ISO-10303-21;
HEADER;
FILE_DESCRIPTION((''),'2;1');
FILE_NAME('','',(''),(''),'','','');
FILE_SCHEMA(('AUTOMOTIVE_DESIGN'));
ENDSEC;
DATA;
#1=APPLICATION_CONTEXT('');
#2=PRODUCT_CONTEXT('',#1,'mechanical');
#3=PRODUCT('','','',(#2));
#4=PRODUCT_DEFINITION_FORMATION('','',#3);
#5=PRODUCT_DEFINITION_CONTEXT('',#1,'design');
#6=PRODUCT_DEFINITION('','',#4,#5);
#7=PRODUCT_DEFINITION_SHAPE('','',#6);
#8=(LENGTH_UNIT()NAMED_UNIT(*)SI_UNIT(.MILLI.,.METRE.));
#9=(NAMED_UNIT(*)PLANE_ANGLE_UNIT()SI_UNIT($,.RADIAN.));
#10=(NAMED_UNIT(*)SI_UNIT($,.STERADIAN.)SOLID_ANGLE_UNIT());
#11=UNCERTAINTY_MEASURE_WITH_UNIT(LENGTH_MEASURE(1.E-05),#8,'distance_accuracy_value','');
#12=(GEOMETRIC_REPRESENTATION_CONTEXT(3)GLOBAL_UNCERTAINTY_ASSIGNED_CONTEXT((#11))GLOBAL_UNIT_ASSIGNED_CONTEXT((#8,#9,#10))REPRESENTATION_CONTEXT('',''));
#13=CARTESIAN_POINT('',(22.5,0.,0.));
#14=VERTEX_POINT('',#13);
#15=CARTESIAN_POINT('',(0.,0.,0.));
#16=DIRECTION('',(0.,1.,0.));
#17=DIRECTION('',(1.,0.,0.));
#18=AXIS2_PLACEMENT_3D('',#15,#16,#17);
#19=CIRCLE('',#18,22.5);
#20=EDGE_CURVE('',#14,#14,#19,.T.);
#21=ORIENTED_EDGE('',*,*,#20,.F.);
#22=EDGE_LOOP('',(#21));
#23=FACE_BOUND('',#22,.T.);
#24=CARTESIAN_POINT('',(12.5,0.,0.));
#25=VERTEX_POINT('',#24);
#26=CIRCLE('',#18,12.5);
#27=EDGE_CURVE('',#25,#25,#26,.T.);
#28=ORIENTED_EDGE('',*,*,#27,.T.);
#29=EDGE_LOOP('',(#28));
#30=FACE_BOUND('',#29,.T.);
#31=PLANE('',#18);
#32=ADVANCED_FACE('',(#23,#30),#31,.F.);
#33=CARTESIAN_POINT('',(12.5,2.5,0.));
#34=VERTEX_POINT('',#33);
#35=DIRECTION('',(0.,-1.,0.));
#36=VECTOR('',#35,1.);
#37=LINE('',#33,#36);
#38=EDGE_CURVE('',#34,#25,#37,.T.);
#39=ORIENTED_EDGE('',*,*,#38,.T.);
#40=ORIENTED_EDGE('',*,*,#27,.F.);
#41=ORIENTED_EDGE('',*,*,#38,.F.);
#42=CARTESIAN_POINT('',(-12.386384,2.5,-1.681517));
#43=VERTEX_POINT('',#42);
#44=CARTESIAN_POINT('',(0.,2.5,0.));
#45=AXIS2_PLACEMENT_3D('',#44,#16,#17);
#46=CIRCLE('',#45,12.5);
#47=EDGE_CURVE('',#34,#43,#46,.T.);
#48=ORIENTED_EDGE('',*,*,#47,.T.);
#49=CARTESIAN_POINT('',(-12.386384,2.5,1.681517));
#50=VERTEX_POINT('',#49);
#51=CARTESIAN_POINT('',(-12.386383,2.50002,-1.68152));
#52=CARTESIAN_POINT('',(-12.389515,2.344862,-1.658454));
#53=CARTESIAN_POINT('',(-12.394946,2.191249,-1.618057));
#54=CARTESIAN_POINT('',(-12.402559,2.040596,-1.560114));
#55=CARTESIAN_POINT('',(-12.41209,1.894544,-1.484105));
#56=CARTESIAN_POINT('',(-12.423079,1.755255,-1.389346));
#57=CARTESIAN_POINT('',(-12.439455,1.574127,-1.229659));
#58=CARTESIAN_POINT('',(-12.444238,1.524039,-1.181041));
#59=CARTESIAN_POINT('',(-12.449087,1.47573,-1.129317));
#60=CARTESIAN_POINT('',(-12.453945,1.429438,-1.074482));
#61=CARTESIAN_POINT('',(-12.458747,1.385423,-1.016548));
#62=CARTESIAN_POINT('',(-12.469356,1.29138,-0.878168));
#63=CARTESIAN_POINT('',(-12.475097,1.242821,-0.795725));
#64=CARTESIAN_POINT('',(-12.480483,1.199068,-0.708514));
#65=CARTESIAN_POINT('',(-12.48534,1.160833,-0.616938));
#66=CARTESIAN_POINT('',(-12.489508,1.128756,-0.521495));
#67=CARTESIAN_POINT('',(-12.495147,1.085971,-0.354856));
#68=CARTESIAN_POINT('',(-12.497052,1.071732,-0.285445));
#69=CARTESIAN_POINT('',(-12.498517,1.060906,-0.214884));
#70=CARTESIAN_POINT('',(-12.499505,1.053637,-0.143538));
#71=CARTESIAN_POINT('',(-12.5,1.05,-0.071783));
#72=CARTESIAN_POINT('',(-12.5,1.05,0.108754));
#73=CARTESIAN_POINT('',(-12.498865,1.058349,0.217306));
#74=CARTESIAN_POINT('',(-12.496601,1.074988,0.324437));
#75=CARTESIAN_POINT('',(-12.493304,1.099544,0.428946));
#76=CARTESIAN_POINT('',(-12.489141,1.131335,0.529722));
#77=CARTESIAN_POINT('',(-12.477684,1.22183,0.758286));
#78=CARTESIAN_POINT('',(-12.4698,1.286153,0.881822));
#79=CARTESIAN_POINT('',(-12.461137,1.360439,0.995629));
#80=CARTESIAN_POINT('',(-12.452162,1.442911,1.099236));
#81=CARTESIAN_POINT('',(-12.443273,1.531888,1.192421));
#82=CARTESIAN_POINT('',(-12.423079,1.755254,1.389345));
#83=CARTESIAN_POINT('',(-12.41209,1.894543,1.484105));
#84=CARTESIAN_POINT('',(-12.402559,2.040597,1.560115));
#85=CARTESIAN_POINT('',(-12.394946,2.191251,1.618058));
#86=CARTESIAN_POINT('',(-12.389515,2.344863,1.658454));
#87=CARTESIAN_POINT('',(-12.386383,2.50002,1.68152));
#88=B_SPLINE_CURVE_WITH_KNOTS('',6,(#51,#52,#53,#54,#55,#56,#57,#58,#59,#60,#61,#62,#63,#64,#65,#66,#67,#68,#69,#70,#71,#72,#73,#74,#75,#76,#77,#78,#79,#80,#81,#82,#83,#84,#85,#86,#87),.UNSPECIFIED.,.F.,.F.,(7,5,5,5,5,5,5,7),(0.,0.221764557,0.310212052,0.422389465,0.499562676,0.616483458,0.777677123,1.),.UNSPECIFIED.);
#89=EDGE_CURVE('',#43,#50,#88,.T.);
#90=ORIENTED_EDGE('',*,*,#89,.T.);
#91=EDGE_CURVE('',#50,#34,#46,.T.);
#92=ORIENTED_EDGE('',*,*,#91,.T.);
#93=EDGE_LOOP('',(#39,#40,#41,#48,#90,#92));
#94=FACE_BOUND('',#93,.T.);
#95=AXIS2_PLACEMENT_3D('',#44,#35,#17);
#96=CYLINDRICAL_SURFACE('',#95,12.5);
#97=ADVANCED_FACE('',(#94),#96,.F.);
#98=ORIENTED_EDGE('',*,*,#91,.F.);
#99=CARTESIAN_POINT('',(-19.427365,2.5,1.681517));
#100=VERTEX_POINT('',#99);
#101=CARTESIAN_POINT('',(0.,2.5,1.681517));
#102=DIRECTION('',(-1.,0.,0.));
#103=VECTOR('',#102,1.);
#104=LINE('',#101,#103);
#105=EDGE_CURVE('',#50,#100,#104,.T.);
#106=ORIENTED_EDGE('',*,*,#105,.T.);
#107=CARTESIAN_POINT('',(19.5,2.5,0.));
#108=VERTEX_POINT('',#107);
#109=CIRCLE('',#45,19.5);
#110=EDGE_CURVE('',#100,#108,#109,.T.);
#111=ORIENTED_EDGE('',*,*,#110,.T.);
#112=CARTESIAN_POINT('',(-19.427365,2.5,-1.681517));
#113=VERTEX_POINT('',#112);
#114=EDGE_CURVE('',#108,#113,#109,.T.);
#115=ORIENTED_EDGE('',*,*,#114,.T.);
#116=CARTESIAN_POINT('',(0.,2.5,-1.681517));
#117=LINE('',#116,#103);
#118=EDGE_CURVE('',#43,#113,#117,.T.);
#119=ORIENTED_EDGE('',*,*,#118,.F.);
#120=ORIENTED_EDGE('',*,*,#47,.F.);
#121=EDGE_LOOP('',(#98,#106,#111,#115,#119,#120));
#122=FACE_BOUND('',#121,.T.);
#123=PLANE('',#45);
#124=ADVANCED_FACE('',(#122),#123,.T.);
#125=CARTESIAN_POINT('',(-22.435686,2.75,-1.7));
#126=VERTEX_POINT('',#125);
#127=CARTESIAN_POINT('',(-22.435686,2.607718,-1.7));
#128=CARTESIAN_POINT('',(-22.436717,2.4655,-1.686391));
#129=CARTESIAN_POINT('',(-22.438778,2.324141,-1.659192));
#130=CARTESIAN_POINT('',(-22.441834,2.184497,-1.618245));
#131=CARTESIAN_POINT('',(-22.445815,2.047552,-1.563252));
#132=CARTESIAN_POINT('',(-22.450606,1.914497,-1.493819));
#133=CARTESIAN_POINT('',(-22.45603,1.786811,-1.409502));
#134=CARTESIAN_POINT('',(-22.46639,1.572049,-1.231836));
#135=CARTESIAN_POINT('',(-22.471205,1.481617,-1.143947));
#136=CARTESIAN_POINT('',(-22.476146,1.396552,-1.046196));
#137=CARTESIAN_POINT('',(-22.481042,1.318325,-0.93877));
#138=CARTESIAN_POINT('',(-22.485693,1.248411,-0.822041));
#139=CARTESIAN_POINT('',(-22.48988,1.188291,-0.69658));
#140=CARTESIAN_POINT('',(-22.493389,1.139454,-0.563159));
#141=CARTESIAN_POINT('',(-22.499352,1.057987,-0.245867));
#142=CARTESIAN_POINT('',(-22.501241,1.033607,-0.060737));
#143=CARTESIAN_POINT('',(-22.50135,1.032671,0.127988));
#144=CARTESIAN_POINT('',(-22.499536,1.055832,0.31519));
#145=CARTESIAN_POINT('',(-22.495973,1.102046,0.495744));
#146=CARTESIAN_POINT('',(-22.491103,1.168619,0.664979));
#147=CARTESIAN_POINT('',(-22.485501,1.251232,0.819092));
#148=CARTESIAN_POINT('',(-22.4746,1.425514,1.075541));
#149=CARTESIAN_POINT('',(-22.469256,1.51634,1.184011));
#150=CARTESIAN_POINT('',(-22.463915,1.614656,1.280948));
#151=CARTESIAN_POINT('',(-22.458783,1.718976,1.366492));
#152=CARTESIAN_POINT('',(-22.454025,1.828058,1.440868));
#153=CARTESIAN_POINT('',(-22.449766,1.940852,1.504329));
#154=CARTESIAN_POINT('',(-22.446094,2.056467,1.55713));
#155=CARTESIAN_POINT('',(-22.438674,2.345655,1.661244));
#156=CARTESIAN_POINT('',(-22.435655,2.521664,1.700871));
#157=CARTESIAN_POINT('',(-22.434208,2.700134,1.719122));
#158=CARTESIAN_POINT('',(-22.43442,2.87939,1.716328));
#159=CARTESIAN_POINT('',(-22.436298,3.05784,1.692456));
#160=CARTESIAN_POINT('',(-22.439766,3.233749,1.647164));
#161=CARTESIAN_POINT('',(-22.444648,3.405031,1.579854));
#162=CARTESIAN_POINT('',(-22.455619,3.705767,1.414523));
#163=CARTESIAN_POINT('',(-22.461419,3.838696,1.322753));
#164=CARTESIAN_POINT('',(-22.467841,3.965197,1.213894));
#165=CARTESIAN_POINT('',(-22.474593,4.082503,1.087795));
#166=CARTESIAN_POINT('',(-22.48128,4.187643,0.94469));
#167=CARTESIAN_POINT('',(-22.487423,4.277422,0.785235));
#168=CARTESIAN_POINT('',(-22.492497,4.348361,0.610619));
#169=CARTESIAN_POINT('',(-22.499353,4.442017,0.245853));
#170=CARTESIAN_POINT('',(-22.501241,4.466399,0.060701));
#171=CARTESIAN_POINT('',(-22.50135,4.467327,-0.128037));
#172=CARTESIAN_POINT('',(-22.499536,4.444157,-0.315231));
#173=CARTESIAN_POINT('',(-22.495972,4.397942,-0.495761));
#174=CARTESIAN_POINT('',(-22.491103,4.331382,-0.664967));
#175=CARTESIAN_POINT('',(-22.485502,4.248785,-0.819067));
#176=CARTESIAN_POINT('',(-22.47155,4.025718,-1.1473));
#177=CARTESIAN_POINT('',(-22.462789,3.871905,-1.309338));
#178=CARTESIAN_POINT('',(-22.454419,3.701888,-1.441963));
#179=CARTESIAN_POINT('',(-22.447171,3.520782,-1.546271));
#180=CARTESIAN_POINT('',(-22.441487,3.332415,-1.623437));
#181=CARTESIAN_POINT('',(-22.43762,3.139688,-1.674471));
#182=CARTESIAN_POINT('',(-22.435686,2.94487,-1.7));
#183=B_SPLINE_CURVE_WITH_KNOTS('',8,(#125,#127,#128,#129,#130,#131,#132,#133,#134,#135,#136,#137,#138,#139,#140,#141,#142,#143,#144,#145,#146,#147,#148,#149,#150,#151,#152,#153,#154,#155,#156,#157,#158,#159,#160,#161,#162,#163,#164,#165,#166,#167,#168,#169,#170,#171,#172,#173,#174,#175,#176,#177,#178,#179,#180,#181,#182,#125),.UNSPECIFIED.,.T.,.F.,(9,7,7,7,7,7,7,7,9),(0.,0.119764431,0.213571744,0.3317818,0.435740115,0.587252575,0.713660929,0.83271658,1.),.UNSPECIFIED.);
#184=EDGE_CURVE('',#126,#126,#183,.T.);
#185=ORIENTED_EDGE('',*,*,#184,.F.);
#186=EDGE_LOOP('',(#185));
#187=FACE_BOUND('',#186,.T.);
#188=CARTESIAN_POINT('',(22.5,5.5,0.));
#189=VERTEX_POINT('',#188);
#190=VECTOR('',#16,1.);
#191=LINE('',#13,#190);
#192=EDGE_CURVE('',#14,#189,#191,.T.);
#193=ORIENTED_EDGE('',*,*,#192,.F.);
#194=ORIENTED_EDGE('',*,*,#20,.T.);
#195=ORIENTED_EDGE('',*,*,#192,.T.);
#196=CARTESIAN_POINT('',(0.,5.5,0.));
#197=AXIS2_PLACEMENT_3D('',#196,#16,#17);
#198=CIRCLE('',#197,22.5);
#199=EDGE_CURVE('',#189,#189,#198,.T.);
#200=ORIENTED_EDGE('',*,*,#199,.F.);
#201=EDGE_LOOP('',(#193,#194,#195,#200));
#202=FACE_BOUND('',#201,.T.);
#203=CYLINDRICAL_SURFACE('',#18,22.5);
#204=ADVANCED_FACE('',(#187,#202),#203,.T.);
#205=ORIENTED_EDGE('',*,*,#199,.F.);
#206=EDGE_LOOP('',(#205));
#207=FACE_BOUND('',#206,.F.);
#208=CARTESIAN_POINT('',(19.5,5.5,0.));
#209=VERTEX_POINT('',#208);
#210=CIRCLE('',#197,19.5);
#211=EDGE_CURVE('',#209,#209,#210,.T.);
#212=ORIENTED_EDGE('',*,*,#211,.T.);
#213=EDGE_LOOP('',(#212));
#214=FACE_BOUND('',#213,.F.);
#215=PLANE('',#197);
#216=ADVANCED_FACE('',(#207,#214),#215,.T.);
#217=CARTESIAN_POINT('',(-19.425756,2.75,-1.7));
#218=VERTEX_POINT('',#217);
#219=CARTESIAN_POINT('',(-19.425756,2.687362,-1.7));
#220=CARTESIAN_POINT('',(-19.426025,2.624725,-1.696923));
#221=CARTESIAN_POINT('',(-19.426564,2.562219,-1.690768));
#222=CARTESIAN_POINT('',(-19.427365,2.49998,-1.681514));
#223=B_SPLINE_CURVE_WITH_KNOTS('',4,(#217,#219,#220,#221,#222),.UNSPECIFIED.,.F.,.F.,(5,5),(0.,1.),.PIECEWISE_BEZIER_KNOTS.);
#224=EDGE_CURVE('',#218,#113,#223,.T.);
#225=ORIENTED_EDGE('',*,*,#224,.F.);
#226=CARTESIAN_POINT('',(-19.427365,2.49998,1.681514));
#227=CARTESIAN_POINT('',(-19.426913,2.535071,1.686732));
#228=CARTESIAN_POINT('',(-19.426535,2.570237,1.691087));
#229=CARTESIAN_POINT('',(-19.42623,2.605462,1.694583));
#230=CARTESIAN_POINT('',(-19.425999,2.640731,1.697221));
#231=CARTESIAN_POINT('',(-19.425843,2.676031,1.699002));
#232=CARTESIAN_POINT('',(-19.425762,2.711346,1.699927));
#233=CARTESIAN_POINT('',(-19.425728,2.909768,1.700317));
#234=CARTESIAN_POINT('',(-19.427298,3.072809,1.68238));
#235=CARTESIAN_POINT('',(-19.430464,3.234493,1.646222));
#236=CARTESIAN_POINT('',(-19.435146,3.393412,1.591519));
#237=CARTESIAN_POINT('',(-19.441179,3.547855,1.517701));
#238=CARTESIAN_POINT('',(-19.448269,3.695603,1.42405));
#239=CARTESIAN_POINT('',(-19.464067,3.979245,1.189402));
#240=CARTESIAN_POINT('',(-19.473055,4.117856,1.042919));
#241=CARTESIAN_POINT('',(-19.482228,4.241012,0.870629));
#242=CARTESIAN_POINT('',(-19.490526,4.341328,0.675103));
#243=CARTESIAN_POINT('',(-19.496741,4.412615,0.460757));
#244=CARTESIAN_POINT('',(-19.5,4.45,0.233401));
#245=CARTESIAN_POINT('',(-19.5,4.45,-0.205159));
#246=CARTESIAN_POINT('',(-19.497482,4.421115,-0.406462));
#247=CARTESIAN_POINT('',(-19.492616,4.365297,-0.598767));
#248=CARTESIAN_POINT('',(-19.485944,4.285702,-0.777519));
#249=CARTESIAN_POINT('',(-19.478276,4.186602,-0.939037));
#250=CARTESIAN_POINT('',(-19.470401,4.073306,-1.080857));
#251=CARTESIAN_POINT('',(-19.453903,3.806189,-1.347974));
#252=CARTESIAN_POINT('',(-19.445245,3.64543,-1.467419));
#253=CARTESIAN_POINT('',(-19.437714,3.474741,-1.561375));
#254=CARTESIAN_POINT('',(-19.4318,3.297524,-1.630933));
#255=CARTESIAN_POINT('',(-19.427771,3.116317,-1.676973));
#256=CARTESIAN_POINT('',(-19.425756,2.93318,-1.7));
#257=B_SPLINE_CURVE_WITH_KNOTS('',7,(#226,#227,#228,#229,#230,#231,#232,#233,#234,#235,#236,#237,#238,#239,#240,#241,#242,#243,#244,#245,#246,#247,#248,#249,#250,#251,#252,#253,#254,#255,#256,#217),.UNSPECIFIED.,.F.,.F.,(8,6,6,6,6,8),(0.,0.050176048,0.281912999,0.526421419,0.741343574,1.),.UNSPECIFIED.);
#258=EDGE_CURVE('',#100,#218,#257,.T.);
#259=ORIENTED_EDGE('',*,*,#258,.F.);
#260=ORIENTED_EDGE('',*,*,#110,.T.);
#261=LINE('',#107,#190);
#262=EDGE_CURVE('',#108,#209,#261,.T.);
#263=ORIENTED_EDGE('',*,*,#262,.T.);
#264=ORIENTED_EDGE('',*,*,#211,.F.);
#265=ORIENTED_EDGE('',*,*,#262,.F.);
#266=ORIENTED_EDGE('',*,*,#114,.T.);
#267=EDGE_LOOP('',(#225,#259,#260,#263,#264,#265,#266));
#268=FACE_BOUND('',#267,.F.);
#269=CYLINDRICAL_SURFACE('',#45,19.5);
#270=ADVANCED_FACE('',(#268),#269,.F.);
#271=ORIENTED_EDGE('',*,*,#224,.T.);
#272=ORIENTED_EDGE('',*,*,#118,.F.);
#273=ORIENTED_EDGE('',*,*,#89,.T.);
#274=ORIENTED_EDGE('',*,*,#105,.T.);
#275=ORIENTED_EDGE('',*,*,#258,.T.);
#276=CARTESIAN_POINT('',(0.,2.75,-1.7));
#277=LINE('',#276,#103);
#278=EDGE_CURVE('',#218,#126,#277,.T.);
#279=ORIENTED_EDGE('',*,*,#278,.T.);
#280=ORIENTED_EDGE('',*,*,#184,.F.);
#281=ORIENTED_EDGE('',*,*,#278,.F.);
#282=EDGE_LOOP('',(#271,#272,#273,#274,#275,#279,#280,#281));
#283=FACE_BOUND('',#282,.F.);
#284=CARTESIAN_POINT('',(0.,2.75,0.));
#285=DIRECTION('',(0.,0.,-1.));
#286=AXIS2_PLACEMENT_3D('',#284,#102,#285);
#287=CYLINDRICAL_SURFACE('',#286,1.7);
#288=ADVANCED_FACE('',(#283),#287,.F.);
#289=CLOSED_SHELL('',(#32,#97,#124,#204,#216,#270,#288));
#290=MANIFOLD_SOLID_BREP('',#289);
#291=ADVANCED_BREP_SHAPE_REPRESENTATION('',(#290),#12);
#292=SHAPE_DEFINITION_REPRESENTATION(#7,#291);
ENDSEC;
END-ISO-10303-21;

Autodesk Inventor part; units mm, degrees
ref_plane "YZ Plane" through (0, 0, 0) normal (1, 0, 0) x (0, 1, 0)
ref_plane "XZ Plane" through (0, 0, 0) normal (0, 1, 0) x (-1, 0, 0)
ref_plane "XY Plane" through (0, 0, 0) normal (0, 0, 1) x (1, 0, 0)
sketch "Sketch1" plane through (0, 0, 0) normal (0, 0, 1) x (1, 0, 0)
  line L0 (22.5, 2.5) -> (12.5, 2.5)
  line L1 (12.5, 2.5) -> (12.5, 0)
  line L2 (12.5, 0) -> (22.5, 0)
  line L3 (22.5, 0) -> (22.5, 2.5)
  line L4 (22.5, 2.5) -> (12.5, 0) construction
  line L5 (12.5, 2.5) -> (22.5, 0) construction
  line L6 (22.5, 2.5) -> (19.5, 2.5)
  line L7 (19.5, 2.5) -> (19.5, 5.5)
  line L8 (19.5, 5.5) -> (22.5, 5.5)
  line L9 (22.5, 5.5) -> (22.5, 2.5)
  line L10 (0, -1.1) -> (0, 6.6) projected
  point P0 (0, 0)
  point P1 (17.5, 1.25)
  dimension "d0" = 12.5
  dimension "d1" = 10
  dimension "d2" = 2.5
  dimension "d3" = 3
  dimension "d4" = 3
revolve "Revolution1" add sketch "Sketch1" angle 360 about axis through (0, -10, 0) along (0, 1, 0)
sketch "Sketch2" plane through (0, 0, 0) normal (1, 0, 0) x (0, 1, 0)
  line L0 (0, 0) -> (5.5, 0)
  point P0 (2.75, 0)
  dimension "d6" = 5.5
hole "Hole1" at (0, 2.75, 0) direction (-1, 0, 0) diameter 3.4 end through all clearance for "Countersunk Flat Head Screw ISO 2009/7046" size "M3" standard "ISO"
